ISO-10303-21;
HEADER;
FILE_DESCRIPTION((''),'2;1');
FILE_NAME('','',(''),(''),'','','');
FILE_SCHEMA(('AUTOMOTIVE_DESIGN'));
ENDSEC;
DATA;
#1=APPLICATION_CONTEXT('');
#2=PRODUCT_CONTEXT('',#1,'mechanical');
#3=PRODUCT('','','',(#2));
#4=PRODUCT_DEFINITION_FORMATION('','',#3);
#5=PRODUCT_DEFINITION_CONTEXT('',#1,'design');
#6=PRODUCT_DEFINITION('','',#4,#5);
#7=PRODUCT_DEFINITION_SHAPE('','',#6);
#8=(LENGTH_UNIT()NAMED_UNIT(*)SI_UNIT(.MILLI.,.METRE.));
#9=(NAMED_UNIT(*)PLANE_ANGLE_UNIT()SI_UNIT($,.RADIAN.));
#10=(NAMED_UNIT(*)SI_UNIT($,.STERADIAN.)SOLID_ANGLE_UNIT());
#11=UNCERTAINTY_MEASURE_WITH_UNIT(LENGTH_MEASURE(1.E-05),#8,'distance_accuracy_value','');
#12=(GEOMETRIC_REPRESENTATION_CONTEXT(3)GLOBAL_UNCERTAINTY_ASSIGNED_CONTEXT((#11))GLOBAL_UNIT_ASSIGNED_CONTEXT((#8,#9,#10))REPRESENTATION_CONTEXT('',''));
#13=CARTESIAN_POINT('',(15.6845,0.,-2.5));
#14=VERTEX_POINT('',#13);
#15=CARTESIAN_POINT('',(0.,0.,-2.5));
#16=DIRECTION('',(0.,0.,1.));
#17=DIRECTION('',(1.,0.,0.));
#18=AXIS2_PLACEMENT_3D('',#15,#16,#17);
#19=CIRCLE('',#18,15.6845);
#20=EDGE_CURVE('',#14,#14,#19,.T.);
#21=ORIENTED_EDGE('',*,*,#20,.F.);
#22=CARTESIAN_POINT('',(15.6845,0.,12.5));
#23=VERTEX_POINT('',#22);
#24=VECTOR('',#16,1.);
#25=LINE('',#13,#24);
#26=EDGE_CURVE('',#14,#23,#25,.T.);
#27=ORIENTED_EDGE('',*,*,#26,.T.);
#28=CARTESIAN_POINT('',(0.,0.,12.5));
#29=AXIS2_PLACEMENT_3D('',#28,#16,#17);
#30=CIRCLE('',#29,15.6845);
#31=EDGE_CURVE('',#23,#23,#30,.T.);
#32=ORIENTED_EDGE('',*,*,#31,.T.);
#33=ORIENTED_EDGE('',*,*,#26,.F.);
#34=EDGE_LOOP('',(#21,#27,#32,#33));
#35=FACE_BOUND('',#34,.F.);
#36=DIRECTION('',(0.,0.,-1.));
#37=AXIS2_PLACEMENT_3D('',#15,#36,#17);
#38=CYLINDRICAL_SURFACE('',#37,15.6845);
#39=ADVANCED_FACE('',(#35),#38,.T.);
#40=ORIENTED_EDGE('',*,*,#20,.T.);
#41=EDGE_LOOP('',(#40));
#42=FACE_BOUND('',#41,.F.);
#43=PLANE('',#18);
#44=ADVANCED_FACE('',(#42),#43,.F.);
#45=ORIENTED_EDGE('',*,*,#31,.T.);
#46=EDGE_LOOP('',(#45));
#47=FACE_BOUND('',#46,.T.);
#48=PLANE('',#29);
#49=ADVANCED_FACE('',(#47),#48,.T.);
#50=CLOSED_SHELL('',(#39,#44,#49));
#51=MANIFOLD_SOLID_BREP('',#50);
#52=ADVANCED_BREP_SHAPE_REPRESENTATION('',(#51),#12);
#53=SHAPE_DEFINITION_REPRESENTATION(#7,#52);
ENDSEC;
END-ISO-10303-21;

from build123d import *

# Parameters (mm, degrees)
CYLINDER_R     = 15.6845
CYLINDER_DEPTH = 15


with BuildPart() as part:
    # Cylinder → Cylinder (new body)
    with BuildSketch(Plane.XY.offset(-2.5)):
        Circle(CYLINDER_R)
    extrude(amount=CYLINDER_DEPTH)


solid = part.part
